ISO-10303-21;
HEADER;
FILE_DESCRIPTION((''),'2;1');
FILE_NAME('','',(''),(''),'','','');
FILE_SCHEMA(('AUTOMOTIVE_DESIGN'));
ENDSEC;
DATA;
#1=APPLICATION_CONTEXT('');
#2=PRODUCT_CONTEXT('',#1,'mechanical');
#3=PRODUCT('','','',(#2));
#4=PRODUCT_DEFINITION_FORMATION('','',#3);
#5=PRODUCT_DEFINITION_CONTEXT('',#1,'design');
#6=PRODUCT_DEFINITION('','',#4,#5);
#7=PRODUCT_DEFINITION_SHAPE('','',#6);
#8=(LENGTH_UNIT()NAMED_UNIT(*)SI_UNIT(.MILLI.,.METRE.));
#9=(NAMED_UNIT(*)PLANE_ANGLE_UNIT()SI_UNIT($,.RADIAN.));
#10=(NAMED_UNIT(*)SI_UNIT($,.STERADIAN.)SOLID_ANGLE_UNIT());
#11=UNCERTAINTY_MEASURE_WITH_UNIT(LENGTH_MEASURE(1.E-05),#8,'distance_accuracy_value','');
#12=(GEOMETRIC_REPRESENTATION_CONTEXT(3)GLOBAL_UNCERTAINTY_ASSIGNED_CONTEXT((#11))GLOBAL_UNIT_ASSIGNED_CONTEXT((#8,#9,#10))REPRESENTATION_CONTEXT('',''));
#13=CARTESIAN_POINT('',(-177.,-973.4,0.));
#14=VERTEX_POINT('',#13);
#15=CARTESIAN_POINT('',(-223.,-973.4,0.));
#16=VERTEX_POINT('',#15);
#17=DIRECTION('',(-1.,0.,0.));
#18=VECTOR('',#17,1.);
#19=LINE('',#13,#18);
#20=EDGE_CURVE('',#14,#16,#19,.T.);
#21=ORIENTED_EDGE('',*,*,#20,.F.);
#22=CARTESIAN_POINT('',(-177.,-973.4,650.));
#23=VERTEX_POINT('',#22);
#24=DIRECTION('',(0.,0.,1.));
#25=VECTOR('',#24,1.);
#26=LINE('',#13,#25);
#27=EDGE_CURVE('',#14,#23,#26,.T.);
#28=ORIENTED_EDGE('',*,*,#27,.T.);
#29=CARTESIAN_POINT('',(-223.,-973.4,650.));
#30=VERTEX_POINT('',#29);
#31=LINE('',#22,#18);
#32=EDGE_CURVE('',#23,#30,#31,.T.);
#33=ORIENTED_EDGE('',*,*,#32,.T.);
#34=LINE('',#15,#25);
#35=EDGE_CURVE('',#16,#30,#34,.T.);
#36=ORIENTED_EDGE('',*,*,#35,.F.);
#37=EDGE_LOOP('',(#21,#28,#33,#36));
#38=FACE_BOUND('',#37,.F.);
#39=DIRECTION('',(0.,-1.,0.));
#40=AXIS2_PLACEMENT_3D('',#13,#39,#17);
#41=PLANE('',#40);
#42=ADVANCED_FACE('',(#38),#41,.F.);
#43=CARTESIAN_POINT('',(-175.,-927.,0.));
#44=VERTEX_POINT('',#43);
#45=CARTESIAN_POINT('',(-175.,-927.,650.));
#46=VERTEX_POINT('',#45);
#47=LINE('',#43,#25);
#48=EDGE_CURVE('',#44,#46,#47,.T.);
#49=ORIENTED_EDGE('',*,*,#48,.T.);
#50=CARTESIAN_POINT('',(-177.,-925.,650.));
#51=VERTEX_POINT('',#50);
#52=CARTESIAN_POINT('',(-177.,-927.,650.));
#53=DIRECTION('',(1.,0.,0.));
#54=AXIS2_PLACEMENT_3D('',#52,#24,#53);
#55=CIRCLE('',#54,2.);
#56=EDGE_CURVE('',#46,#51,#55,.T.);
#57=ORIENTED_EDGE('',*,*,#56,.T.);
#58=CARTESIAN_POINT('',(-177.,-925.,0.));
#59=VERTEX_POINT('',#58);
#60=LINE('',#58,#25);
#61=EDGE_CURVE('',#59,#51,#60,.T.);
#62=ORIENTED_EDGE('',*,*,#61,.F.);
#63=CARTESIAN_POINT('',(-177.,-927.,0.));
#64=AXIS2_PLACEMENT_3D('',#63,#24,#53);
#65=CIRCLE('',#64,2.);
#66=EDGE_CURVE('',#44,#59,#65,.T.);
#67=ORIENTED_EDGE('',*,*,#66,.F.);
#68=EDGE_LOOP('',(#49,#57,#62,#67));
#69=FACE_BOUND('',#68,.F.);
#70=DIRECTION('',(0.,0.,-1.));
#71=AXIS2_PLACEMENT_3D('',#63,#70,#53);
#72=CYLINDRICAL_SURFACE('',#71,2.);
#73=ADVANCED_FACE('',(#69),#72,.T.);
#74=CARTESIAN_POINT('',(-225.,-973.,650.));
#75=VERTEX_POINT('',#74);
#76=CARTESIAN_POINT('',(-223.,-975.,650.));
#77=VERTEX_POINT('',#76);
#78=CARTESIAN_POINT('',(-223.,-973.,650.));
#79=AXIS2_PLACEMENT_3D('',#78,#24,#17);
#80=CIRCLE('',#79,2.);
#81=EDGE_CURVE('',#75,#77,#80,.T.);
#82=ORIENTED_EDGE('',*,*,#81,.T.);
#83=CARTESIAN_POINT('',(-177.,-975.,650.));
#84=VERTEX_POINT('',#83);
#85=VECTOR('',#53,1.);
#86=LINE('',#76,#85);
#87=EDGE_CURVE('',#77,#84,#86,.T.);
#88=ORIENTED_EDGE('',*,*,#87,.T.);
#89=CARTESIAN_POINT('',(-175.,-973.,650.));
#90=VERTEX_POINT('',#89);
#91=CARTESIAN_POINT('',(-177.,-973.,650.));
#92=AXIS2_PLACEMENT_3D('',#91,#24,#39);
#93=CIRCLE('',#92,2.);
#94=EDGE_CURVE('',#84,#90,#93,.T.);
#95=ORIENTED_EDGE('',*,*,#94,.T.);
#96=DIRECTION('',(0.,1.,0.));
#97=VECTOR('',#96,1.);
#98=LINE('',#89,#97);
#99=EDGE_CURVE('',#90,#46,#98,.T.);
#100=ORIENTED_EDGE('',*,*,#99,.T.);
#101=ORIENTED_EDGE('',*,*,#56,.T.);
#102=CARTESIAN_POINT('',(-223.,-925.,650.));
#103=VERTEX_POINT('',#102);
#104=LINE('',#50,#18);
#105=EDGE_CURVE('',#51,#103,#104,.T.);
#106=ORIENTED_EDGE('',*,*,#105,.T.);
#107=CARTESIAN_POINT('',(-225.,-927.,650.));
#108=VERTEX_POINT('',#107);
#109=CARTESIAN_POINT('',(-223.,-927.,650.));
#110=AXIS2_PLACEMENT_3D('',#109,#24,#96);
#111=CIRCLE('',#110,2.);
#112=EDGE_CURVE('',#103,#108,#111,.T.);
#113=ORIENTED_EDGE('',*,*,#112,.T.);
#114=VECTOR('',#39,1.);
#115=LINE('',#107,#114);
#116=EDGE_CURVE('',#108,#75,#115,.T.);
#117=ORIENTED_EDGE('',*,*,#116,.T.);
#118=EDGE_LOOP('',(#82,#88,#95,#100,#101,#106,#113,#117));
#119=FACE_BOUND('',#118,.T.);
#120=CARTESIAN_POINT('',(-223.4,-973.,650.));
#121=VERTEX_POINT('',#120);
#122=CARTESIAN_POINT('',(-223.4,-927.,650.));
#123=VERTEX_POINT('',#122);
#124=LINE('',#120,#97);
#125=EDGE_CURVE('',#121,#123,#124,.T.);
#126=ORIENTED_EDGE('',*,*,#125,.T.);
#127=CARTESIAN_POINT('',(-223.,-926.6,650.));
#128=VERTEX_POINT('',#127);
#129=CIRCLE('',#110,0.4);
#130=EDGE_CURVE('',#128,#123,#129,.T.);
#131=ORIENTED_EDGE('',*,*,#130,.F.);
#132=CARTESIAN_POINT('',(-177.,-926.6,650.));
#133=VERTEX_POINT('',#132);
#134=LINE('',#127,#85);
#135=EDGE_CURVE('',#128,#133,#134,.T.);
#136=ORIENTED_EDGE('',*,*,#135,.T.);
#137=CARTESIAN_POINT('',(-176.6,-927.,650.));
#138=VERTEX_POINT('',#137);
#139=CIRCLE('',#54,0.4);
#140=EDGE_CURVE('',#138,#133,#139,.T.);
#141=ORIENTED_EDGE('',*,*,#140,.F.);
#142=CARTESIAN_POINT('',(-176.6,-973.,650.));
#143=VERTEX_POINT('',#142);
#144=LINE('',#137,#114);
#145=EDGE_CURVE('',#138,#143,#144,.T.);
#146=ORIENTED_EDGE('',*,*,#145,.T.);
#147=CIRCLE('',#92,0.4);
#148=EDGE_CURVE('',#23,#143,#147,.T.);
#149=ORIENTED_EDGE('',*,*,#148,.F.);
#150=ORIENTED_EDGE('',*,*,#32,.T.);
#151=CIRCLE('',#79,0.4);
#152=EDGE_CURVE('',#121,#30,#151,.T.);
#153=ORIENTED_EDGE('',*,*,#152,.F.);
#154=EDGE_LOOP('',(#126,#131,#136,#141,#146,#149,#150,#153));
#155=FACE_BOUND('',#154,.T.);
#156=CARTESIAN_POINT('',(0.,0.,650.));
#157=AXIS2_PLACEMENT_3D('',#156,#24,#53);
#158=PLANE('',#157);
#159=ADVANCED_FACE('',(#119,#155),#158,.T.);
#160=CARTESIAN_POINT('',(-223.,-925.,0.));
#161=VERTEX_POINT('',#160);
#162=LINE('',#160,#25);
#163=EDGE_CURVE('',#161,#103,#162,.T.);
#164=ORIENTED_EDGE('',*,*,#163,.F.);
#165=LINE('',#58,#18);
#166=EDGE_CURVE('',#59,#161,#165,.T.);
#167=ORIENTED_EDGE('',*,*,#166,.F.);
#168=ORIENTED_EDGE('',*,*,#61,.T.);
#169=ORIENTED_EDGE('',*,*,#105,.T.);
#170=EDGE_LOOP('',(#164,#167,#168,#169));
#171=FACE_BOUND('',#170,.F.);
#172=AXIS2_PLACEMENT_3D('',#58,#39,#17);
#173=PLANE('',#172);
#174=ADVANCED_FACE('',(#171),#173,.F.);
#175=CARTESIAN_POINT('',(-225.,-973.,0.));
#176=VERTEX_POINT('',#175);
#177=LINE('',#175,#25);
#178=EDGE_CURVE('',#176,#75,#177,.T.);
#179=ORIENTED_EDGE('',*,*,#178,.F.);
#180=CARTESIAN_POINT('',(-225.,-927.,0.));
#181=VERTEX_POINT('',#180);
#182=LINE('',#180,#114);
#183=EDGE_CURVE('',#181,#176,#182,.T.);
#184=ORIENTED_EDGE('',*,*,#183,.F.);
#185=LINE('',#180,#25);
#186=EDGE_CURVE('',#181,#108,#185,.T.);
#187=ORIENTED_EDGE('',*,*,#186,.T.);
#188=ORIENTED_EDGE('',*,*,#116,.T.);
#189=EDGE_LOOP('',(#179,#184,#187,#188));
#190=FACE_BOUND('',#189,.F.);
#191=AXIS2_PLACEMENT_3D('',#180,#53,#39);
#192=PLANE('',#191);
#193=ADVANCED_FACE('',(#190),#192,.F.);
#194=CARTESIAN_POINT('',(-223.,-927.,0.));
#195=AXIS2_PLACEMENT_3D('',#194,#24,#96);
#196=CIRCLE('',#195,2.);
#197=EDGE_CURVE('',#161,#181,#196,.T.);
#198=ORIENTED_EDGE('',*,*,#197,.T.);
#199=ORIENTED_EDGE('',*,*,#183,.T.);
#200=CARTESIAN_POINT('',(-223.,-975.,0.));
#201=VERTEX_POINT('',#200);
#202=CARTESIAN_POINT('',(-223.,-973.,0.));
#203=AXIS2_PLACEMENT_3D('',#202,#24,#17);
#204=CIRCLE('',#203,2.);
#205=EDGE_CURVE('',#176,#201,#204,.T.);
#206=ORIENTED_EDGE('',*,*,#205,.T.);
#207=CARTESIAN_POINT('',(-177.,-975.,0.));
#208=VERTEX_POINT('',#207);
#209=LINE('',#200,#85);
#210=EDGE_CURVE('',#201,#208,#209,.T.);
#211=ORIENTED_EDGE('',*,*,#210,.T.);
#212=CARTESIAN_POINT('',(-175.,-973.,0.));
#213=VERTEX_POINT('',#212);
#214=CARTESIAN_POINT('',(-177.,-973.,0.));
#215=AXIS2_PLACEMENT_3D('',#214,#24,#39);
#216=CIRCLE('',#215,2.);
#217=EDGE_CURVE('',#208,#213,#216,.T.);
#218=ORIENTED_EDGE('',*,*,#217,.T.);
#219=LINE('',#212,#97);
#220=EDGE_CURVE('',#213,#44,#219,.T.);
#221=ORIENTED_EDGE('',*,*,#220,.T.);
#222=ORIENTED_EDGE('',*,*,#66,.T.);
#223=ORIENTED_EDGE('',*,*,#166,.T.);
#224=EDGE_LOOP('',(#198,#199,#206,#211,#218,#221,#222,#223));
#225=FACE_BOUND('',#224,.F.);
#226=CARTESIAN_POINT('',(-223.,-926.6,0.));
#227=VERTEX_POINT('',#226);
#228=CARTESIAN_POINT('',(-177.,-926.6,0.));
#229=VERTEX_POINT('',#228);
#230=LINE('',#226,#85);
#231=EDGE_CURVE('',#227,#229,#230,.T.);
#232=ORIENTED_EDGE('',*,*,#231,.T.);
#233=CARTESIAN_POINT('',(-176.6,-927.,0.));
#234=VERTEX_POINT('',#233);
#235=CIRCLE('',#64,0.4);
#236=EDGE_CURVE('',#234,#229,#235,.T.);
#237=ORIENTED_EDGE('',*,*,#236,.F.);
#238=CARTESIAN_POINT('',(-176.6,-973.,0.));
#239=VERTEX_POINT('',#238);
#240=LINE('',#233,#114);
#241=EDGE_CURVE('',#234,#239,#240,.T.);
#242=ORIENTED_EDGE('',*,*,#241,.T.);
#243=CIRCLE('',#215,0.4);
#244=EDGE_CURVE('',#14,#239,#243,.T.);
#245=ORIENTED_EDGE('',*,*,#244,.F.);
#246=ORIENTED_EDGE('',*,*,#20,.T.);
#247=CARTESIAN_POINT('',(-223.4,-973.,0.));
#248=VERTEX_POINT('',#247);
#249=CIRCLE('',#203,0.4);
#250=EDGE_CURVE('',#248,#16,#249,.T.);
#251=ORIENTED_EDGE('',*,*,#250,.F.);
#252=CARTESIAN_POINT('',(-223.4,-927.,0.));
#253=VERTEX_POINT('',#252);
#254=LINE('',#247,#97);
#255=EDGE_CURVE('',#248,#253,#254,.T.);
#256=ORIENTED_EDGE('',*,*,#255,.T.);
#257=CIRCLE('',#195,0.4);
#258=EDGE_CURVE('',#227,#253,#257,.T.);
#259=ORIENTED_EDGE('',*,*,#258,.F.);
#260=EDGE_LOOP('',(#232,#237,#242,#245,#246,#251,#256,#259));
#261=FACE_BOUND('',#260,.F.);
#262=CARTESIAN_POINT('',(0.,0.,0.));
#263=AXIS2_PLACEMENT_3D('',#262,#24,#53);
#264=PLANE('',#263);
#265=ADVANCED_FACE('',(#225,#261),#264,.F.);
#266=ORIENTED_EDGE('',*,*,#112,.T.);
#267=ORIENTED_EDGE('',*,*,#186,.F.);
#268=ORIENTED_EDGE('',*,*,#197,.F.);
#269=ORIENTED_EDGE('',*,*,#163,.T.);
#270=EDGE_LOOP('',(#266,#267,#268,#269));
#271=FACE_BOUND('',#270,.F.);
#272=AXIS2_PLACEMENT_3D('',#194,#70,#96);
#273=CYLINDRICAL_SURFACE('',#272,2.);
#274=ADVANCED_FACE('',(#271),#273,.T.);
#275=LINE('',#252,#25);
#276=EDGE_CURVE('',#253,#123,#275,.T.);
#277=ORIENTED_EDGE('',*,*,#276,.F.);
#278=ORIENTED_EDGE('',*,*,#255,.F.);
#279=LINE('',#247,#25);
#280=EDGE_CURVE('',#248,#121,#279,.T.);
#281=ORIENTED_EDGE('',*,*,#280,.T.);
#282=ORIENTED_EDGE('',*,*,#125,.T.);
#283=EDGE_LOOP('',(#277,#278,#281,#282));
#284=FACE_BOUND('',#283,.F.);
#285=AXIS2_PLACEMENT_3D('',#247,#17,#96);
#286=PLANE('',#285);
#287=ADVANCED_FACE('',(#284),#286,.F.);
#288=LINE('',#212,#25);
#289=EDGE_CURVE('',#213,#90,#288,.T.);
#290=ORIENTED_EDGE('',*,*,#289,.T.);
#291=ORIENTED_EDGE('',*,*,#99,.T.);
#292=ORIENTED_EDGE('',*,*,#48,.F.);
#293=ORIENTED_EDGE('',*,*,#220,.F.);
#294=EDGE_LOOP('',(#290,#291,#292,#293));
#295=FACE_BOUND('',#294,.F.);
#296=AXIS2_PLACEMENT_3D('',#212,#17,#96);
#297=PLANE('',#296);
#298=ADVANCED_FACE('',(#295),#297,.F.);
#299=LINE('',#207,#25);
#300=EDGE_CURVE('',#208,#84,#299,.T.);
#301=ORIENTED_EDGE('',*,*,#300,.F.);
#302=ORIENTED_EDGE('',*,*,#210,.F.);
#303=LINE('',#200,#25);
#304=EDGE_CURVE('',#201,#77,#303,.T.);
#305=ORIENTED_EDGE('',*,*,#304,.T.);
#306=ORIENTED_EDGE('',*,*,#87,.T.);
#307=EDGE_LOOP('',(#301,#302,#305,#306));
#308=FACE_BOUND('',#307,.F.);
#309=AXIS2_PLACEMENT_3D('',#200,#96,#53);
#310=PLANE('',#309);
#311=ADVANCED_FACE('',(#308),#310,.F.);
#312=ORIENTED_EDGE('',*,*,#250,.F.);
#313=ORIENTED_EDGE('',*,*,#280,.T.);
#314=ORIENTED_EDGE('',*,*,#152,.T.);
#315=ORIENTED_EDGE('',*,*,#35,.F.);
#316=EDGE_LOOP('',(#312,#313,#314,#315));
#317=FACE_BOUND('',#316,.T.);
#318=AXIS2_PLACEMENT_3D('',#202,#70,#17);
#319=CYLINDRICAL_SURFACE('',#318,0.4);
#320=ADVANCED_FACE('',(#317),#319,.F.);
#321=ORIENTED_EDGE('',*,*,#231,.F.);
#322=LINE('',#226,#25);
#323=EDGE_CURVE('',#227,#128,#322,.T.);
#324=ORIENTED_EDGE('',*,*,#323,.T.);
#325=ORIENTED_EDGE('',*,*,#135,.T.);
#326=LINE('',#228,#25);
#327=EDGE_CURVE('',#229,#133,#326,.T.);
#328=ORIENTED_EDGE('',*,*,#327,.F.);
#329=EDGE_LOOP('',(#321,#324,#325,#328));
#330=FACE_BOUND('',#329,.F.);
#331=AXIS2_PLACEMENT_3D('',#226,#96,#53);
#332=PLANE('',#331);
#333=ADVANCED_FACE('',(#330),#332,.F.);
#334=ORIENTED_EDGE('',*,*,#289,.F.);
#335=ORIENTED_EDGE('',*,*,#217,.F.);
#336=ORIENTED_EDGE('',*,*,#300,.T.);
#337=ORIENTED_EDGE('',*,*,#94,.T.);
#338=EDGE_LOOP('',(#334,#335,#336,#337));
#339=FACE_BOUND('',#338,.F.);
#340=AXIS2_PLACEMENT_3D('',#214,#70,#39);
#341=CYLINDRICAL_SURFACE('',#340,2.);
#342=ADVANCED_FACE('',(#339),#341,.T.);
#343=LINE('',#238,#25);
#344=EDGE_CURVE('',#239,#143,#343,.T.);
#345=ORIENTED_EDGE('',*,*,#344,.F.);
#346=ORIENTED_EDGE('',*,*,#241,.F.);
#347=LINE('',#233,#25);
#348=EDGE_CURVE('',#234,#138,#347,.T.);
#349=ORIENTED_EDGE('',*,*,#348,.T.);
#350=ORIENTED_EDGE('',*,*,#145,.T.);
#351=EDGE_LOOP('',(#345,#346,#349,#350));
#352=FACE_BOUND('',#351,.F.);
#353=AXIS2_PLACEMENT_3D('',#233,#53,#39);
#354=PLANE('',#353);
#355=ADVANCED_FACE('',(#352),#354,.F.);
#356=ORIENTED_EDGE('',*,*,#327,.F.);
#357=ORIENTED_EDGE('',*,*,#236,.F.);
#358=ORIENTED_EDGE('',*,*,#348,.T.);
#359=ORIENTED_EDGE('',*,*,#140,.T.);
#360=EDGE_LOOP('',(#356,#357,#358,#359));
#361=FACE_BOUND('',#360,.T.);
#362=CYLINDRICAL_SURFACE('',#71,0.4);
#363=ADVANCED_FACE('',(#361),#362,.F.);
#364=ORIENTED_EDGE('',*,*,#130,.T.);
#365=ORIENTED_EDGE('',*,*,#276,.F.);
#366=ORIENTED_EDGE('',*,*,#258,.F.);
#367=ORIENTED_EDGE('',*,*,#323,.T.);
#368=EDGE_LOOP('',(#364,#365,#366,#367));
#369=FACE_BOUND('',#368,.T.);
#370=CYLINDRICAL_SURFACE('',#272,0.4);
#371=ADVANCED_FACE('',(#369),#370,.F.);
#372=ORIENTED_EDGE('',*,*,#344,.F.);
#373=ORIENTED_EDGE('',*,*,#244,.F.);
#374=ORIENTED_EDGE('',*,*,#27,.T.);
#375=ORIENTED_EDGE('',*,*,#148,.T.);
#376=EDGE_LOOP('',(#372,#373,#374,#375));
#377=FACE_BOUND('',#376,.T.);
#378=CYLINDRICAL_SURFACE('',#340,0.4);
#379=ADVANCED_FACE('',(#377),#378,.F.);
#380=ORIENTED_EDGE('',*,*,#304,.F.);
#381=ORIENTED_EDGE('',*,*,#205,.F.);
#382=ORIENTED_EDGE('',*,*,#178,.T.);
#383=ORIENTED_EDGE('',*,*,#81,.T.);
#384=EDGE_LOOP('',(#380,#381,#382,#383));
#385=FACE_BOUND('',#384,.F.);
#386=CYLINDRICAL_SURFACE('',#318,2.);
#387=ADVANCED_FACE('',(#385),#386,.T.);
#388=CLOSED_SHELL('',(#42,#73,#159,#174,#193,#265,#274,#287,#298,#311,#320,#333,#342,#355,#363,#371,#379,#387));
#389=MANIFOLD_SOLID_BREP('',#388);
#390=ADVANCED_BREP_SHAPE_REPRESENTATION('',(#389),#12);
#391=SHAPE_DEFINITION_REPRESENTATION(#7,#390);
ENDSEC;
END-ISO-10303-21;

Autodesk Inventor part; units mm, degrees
ref_plane "YZ Plane" through (0, 0, 0) normal (1, 0, 0) x (0, 1, 0)
ref_plane "XZ Plane" through (0, 0, 0) normal (0, 1, 0) x (-1, 0, 0)
ref_plane "XY Plane" through (0, 0, 0) normal (0, 0, 1) x (1, 0, 0)
ref_plane "Work Plane1" through (0, 0, 0) normal (0, 0, 1) x (1, 0, 0)
sketch "Sketch1" plane through (0, 0, 0) normal (0, 0, 1) x (1, 0, 0)
  line L0 (-250, -1000) -> (250, -1000) projected
  line L1 (250, -1000) -> (250, 1000) projected
  line L2 (250, 1000) -> (-250, 1000) projected
  line L3 (-250, 1000) -> (-250, -1000) projected
  line L4 (-223, -975) -> (-177, -975)
  line L5 (-175, -973) -> (-175, -927)
  line L6 (-177, -925) -> (-223, -925)
  line L7 (-225, -927) -> (-225, -973)
  arc A0 (-225, -973) -> (-223, -975) centre (-223, -973) ccw
  arc A1 (-223, -925) -> (-225, -927) centre (-223, -927) ccw
  arc A2 (-177, -975) -> (-175, -973) centre (-177, -973) ccw
  arc A3 (-175, -927) -> (-177, -925) centre (-177, -927) ccw
  line L8 (-223.4, -973) -> (-223.4, -927)
  arc A4 (-223, -926.6) -> (-223.4, -927) centre (-223, -927) ccw
  line L9 (-223, -926.6) -> (-177, -926.6)
  arc A5 (-176.6, -927) -> (-177, -926.6) centre (-177, -927) ccw
  line L10 (-176.6, -927) -> (-176.6, -973)
  arc A6 (-177, -973.4) -> (-176.6, -973) centre (-177, -973) ccw
  line L11 (-177, -973.4) -> (-223, -973.4)
  arc A7 (-223.4, -973) -> (-223, -973.4) centre (-223, -973) ccw
  point P0 (0, 0)
  point P1 (-175, -925)
  point P2 (-225, -925)
  dimension "d0" = 50
  dimension "d1" = 25
  dimension "d2" = 25
  dimension "d3" = 2
  dimension "d4" = 1.6
extrude "Extrusion1" add sketch "Sketch1" along normal blind 650 contours A0 L7 A1 L6 A3 L5 A2 L4
properties part number "Pata"
